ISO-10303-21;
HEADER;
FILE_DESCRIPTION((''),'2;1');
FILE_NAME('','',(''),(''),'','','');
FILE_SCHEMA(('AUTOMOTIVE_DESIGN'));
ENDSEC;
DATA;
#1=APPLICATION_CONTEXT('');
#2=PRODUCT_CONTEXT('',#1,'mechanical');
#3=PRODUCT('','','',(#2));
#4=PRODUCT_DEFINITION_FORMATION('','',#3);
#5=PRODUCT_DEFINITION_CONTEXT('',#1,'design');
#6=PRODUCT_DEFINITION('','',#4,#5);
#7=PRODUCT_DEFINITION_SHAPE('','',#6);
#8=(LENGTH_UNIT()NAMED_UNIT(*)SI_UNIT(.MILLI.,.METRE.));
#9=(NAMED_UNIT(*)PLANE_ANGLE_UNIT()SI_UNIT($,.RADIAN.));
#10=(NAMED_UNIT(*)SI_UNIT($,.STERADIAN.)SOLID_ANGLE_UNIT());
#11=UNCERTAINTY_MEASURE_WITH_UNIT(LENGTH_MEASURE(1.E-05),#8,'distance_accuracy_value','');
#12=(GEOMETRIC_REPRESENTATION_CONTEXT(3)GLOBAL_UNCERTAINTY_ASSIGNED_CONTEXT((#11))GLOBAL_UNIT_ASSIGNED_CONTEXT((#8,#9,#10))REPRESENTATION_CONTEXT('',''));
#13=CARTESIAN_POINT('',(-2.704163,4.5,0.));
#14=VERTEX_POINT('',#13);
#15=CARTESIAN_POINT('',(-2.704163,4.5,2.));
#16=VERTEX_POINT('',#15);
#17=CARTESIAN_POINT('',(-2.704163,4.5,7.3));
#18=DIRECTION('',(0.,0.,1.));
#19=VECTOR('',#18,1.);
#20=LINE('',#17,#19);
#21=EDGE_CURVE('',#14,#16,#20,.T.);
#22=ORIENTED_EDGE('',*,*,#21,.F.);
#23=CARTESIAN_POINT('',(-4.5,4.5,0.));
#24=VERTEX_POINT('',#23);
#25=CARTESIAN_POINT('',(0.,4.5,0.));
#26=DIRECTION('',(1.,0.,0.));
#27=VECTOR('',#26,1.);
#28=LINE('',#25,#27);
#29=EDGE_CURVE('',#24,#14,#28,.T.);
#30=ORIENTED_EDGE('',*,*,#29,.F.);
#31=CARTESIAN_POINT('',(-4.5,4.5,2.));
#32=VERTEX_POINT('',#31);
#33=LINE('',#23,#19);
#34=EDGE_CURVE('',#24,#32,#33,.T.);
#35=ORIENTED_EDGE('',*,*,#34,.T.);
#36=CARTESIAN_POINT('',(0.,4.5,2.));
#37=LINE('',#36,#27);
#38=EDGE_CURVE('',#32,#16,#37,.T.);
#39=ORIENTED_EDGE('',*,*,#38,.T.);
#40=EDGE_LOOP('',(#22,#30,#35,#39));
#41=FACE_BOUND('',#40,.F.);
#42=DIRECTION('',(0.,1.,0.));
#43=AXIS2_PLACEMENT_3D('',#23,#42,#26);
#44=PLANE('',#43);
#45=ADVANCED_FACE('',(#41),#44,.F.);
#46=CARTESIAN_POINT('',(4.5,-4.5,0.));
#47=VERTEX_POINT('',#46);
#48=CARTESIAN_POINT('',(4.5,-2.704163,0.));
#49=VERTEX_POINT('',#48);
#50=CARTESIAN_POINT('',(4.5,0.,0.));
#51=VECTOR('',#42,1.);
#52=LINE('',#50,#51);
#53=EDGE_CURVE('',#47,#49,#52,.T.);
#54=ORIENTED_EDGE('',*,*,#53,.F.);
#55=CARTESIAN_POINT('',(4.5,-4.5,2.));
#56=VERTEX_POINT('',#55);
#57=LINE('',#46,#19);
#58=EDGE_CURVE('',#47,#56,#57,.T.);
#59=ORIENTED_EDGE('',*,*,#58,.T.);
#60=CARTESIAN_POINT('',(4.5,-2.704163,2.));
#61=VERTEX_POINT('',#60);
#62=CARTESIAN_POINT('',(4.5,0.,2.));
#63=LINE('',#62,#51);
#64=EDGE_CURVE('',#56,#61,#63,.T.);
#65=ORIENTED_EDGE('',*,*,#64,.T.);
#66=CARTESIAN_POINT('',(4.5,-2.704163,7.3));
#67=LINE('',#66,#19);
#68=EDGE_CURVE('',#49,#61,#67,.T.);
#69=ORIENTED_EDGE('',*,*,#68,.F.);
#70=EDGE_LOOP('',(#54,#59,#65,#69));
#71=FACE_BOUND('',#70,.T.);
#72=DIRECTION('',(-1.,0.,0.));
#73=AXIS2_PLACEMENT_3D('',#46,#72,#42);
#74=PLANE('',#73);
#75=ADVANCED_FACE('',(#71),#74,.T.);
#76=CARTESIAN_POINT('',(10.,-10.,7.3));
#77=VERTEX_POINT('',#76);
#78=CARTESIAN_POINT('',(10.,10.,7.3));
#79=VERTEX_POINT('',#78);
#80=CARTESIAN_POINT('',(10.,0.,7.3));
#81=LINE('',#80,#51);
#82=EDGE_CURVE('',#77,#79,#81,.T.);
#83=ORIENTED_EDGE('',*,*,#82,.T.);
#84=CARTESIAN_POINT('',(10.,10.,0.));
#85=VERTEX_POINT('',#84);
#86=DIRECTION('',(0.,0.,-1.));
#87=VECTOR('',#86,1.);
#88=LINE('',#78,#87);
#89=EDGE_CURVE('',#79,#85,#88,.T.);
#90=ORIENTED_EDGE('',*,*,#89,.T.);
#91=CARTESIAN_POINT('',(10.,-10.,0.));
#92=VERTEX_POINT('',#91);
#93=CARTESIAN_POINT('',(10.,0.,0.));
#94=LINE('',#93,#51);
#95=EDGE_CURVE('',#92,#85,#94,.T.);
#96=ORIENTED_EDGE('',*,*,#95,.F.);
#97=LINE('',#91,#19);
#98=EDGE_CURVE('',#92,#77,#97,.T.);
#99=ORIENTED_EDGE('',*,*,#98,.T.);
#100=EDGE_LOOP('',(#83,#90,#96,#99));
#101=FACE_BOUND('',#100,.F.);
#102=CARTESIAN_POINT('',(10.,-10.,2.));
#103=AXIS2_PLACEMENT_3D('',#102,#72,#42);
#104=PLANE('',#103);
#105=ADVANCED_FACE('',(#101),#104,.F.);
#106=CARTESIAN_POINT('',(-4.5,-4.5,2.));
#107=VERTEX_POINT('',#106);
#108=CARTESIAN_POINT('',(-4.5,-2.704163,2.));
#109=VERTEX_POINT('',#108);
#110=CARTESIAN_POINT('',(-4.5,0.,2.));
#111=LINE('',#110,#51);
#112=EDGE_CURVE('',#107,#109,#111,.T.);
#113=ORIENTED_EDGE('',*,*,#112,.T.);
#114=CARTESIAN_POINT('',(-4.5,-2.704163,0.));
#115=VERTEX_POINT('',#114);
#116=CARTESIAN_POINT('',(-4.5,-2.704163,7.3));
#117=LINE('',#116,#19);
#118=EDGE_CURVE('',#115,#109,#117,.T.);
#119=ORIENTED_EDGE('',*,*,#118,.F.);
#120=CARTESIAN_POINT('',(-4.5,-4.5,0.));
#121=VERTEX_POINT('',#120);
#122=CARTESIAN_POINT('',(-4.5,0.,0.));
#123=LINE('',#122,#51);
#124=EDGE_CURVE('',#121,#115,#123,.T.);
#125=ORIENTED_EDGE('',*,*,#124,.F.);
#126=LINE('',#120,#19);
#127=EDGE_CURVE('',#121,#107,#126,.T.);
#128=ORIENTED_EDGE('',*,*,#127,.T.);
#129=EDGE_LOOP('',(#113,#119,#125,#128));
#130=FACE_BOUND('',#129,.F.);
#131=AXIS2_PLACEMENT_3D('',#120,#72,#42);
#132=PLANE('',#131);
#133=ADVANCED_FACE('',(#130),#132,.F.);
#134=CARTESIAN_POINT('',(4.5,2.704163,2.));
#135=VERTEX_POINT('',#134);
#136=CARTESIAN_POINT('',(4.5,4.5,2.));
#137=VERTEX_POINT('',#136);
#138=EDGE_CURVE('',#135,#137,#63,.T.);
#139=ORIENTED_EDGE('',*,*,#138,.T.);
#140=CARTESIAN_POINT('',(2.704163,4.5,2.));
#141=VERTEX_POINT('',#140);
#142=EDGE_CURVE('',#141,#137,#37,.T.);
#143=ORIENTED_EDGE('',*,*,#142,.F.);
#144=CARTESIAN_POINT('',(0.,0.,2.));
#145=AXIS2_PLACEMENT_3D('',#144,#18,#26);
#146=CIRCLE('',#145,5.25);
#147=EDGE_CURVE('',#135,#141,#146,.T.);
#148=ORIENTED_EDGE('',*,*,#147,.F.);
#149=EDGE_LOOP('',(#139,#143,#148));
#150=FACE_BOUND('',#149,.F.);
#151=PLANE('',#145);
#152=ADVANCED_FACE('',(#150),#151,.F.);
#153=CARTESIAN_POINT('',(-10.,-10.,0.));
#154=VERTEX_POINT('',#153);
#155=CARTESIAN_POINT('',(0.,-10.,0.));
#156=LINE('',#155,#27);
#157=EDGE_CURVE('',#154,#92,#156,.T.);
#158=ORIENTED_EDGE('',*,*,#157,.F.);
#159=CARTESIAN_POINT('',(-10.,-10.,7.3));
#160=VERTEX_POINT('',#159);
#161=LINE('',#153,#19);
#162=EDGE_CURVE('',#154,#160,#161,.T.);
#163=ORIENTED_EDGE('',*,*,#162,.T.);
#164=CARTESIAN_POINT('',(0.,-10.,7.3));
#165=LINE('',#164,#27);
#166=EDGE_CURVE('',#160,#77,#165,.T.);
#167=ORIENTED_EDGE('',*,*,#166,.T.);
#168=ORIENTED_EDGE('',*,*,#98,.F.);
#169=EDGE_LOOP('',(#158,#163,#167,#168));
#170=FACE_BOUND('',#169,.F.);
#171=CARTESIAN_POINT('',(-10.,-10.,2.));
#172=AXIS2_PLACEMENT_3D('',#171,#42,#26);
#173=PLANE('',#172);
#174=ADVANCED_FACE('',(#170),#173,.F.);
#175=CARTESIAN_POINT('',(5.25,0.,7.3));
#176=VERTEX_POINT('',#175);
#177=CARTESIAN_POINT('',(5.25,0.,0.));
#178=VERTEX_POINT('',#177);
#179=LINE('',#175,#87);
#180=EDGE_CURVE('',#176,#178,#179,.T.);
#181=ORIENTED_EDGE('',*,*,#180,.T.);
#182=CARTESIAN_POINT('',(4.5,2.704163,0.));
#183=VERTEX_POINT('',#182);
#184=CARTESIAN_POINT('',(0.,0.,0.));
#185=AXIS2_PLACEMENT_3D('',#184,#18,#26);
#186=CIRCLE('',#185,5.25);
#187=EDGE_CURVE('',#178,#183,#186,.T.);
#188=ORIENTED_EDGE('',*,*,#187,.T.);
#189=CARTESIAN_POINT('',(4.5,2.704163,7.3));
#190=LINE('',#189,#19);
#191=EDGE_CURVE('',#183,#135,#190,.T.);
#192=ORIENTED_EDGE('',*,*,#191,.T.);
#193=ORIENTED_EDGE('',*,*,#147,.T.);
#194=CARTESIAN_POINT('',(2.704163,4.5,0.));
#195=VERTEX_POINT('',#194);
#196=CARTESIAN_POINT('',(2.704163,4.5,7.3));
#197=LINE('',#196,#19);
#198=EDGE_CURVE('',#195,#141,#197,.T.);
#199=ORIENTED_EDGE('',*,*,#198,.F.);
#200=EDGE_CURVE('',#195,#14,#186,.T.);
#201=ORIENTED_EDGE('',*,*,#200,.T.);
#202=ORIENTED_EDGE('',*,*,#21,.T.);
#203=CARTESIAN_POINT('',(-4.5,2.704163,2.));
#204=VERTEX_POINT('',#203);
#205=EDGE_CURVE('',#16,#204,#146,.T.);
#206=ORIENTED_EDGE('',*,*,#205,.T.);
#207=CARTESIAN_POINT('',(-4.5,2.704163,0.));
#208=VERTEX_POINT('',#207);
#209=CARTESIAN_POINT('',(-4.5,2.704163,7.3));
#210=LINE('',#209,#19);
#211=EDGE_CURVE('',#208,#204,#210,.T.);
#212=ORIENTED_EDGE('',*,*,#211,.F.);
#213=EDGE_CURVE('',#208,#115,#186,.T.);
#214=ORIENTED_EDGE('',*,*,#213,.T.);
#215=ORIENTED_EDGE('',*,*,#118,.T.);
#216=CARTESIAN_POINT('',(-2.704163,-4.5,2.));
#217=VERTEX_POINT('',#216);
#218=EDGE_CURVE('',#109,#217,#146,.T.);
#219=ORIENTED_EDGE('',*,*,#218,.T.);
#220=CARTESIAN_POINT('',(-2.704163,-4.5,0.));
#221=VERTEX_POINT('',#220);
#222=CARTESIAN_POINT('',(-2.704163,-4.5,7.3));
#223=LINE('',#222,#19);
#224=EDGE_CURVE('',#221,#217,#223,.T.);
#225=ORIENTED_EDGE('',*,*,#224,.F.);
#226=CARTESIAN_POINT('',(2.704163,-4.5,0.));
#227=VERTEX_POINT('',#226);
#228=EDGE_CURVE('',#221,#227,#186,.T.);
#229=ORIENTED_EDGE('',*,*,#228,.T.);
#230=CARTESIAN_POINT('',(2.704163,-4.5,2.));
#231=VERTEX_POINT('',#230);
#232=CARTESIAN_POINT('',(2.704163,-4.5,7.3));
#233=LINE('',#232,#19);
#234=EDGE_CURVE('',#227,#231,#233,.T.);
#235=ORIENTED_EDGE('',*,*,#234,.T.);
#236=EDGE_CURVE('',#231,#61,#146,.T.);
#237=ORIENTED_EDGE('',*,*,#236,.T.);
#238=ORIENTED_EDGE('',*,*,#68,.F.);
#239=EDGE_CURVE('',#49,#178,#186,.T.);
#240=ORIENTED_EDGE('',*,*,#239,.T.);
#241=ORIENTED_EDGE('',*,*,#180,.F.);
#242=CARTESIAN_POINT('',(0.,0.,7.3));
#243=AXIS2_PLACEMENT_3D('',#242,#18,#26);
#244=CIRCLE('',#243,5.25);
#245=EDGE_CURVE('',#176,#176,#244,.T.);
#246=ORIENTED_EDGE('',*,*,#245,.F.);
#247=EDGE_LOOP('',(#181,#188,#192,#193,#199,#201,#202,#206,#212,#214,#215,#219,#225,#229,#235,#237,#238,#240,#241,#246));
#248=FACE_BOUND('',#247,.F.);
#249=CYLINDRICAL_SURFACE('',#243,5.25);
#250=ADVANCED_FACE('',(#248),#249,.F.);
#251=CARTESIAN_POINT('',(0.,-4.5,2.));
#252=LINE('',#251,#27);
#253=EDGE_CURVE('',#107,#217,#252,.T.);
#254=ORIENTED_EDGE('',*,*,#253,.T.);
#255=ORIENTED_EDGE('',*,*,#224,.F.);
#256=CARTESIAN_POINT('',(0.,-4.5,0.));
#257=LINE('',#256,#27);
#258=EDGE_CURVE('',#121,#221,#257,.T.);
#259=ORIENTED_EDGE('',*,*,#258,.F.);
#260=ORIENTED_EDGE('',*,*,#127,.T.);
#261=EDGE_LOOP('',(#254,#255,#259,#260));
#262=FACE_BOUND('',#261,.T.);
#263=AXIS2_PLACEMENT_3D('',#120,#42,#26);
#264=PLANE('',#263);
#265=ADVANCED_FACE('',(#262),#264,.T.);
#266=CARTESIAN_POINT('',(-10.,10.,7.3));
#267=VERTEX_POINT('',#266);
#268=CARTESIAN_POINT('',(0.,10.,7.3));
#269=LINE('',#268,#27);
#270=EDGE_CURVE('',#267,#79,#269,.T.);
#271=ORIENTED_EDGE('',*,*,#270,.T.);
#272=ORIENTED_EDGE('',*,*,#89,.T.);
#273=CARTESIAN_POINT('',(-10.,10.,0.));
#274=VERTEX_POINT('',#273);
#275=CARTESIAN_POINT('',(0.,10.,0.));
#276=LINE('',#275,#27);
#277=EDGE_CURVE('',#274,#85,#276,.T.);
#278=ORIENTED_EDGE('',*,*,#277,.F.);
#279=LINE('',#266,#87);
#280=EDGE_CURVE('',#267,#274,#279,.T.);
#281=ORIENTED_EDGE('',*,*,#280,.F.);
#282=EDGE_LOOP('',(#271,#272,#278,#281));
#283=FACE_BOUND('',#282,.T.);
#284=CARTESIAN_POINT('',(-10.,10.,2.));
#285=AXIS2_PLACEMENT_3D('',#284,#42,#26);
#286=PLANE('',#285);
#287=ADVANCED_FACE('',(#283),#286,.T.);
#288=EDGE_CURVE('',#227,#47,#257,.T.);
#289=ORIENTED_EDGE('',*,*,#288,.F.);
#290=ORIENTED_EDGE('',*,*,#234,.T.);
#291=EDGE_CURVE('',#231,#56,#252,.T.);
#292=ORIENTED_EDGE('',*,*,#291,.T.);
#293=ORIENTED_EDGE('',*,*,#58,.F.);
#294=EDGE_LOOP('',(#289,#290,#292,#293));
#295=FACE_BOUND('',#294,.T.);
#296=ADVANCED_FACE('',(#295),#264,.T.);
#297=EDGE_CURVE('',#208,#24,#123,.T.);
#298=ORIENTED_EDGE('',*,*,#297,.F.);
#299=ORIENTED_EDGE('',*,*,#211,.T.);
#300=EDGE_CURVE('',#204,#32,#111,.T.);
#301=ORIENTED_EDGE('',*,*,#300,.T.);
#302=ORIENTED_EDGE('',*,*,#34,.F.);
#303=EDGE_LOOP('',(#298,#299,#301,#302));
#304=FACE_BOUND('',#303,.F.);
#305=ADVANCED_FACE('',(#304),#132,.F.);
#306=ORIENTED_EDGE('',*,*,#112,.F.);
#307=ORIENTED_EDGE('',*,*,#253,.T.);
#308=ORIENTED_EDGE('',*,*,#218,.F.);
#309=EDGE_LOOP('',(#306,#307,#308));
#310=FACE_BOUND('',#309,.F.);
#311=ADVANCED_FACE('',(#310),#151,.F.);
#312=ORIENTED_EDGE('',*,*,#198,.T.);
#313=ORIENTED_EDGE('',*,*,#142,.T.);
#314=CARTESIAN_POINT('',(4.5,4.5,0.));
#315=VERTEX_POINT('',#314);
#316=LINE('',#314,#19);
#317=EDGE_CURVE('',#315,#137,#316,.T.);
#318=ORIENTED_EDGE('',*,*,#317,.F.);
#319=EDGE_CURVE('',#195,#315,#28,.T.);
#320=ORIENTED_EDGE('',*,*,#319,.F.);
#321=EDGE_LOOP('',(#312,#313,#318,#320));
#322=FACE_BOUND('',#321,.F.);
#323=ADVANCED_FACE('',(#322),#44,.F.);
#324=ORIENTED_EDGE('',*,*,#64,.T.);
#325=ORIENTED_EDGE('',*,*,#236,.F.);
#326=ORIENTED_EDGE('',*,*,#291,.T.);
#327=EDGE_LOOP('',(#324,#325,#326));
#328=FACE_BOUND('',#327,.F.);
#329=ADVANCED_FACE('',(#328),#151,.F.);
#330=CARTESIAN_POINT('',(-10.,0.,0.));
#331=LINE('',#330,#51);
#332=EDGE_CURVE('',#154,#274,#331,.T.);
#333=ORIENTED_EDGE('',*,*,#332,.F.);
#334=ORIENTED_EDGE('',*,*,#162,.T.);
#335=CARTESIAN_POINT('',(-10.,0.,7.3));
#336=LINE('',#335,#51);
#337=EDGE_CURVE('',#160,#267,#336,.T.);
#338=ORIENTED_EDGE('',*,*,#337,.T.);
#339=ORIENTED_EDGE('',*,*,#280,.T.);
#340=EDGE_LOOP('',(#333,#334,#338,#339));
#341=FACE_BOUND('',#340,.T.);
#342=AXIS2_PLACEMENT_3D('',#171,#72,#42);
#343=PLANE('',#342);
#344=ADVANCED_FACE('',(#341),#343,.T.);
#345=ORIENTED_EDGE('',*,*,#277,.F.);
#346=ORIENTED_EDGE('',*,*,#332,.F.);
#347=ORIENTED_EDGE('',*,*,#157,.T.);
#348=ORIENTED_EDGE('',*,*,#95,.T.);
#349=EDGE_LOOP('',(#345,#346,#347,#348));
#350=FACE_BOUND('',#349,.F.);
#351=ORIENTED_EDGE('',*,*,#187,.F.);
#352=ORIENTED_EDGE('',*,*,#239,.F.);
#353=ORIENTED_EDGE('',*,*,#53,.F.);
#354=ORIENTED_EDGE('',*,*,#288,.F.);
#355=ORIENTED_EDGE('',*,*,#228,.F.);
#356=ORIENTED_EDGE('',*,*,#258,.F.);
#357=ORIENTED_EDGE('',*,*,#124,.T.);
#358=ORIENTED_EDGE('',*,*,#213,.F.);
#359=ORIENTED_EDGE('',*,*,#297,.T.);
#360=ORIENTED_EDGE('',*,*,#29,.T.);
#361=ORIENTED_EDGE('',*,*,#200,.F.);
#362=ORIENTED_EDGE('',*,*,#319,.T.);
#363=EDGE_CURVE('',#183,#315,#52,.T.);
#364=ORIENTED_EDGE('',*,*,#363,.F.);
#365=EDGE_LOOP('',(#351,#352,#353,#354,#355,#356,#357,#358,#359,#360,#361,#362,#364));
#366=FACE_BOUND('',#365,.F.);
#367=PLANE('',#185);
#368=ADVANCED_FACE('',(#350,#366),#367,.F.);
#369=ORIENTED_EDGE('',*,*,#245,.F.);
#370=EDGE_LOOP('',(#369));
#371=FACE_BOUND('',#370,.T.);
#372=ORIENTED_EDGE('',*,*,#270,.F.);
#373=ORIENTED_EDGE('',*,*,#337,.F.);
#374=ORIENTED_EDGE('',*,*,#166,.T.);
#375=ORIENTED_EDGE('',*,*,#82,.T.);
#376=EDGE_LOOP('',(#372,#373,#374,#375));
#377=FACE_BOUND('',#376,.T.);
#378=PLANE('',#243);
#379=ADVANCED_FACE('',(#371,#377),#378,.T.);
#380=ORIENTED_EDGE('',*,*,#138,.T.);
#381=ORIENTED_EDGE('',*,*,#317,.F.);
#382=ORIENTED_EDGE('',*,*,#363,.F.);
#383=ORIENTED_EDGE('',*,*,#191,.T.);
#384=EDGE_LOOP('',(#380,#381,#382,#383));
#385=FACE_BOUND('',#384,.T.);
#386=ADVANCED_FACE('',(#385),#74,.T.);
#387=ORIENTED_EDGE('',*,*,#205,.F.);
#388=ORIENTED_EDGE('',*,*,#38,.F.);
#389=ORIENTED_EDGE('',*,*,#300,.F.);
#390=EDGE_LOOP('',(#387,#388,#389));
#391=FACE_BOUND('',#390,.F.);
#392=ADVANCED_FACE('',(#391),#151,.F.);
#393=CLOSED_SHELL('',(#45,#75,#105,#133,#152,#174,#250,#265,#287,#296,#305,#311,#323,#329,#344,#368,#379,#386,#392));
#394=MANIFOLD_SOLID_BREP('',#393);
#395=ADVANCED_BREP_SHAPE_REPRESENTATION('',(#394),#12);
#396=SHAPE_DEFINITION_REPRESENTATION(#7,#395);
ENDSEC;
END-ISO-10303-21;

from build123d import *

# Parameters (mm, degrees)
F0_W     = 20
F0_H     = 20
F0_W_2   = 9
F0_H_2   = 9
F1_DEPTH = 2
F2_W     = 20
F2_H     = 20
F3_DEPTH = 5.3
F4_R     = 5.25
F5_DEPTH = 10


with BuildPart() as f1:
    # F0 (on Top) → F1 (new body)
    with BuildSketch(Plane.XY):
        Rectangle(F0_W, F0_H)
        Rectangle(F0_W_2, F0_H_2, mode=Mode.SUBTRACT)
    extrude(amount=F1_DEPTH)

    # F2 (on face) → F3 (join)
    with BuildSketch(Plane.XY.offset(2)):
        Rectangle(F2_W, F2_H)
    extrude(amount=F3_DEPTH)

    # F4 (on face) → F5 (cut)
    with BuildSketch(Plane.XY.offset(7.3)):
        Circle(F4_R)
    extrude(amount=-F5_DEPTH, mode=Mode.SUBTRACT)


solid = f1.part
